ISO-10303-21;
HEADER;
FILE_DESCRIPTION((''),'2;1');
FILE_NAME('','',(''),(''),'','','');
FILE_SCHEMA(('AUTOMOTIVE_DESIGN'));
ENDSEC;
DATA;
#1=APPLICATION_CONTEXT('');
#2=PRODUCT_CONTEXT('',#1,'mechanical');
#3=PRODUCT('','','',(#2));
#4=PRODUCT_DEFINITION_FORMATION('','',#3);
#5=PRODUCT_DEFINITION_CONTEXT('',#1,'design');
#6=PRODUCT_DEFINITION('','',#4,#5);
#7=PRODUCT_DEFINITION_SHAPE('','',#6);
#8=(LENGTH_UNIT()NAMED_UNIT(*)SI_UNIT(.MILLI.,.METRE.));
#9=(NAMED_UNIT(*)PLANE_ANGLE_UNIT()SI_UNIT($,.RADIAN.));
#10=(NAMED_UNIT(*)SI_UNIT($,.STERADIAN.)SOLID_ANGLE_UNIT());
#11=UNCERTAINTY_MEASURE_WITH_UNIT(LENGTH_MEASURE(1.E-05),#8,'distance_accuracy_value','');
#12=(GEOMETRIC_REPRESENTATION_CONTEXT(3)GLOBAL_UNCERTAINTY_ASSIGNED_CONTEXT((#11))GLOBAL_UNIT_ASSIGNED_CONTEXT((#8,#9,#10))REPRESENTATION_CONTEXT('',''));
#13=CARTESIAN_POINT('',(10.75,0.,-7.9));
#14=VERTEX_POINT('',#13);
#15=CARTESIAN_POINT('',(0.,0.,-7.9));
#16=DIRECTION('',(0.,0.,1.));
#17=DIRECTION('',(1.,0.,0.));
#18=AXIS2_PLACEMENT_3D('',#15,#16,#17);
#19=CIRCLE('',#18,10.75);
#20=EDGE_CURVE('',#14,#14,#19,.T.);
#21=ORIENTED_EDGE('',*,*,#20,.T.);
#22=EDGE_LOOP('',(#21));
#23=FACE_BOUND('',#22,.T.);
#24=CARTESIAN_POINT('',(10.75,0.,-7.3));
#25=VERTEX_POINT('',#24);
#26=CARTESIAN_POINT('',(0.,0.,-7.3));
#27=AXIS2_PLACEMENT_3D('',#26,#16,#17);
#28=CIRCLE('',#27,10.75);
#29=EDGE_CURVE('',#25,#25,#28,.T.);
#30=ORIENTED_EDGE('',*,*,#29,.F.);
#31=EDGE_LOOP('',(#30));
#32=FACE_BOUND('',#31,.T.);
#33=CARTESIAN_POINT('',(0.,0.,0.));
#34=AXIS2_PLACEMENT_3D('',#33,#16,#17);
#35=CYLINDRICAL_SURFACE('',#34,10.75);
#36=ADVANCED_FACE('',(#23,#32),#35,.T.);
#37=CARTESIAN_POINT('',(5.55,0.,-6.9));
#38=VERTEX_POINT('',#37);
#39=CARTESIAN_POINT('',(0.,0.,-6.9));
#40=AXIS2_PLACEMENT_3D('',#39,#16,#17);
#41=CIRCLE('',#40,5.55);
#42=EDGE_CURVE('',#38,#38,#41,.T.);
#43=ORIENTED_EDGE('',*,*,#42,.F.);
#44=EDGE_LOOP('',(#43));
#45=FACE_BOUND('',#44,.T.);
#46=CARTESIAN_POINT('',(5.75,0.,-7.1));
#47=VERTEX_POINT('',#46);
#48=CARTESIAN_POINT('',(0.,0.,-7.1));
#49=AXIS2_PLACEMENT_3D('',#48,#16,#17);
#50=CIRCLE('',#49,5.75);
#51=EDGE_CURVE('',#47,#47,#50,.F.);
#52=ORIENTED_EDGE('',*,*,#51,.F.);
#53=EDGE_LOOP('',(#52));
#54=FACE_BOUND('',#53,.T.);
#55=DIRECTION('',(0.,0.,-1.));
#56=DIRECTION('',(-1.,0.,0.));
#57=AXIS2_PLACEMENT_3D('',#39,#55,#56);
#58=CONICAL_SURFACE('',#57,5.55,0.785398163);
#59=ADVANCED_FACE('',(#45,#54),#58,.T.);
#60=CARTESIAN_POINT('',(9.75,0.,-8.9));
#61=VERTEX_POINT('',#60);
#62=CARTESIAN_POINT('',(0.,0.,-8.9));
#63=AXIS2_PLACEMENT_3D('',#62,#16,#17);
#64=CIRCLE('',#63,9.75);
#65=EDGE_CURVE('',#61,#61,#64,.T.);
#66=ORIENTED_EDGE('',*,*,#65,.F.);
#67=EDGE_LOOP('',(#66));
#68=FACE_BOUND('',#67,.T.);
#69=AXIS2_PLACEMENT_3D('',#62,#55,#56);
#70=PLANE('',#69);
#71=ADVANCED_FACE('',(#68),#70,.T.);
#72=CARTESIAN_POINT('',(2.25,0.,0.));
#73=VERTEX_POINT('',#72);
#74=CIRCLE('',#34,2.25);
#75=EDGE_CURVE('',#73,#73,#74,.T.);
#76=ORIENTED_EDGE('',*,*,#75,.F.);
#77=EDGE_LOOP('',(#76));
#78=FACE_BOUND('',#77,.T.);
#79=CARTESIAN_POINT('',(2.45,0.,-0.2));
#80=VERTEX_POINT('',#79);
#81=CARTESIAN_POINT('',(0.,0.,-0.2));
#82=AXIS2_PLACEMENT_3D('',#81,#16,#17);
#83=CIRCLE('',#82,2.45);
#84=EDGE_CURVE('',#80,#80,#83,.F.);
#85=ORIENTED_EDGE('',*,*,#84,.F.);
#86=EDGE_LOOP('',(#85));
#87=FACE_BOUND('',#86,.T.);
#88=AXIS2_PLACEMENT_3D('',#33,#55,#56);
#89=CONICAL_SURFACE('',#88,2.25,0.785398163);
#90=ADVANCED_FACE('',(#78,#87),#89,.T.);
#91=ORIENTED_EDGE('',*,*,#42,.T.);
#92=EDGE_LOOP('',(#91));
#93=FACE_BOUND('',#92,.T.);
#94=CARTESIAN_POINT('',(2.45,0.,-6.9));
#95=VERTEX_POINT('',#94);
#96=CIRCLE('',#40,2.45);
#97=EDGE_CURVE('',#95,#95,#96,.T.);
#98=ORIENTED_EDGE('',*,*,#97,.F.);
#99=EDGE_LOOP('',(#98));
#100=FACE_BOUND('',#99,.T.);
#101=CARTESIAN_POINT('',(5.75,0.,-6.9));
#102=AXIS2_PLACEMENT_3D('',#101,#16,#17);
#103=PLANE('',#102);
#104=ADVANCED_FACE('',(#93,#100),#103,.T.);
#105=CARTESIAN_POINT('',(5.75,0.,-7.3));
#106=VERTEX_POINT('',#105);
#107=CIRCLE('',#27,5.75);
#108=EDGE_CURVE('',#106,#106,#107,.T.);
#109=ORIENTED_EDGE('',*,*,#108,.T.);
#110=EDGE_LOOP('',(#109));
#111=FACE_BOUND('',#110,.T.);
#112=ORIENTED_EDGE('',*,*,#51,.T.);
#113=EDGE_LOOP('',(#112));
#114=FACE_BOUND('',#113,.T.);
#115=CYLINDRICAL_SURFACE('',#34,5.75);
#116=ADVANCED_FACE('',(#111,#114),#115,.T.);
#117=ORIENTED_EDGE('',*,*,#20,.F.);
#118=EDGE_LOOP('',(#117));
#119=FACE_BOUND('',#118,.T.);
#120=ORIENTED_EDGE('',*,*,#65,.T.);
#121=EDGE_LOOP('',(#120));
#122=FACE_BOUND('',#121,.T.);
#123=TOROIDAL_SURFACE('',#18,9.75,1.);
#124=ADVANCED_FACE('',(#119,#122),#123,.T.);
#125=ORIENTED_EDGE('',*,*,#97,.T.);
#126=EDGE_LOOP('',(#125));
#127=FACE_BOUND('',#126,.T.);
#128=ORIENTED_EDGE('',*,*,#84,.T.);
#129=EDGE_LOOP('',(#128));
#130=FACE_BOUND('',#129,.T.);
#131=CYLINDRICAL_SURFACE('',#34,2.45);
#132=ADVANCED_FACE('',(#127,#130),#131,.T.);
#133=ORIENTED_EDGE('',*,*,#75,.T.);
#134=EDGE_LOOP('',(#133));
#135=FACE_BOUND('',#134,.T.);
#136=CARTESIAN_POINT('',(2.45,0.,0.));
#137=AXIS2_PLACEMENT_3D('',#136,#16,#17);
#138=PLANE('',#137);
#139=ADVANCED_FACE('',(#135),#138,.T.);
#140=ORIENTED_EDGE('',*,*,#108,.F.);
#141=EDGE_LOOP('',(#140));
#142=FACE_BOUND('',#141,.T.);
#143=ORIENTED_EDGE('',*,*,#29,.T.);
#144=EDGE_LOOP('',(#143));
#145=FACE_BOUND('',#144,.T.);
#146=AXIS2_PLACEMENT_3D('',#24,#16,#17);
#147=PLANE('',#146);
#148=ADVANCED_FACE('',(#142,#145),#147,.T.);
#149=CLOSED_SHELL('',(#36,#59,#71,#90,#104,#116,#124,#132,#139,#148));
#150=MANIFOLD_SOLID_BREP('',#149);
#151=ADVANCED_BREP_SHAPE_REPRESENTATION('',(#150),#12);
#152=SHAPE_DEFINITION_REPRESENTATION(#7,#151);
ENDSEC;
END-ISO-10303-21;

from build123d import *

# Parameters (mm, degrees)
CHAMFER1_SIZE = 0.2
CHAMFER2_SIZE = 0.2


with BuildPart() as part:
    # Sketch1 → Revolve1 (revolve)
    with BuildSketch(Plane(origin=(0, 0, 0), x_dir=(1, 0, 0), z_dir=(0, 1, 0))):
        with BuildLine():
            Line((2.45, 0), (0, 0))
            Line((0, 0), (0, 8.9))
            Line((0, 8.9), (9.75, 8.9))
            ThreePointArc((9.75, 8.9), (10.457106781, 8.607106781), (10.75, 7.9))
            Line((10.75, 7.9), (10.75, 7.3))
            Line((10.75, 7.3), (5.75, 7.3))
            Line((5.75, 7.3), (5.75, 6.9))
            Line((5.75, 6.9), (2.45, 6.9))
            Line((2.45, 6.9), (2.45, 0))
        make_face()
    revolve(axis=Axis((0, 0, 0), (0, 0, -1)))

    # Chamfer1
    chamfer1_edges = [part.edges().sort_by_distance(p)[0] for p in [
        (-5.75, 0, -6.9),
    ]]
    chamfer(chamfer1_edges, length=CHAMFER1_SIZE)

    # Chamfer2
    chamfer2_edges = [part.edges().sort_by_distance(p)[0] for p in [
        (-2.45, 0, 0),
    ]]
    chamfer(chamfer2_edges, length=CHAMFER2_SIZE)


solid = part.part
